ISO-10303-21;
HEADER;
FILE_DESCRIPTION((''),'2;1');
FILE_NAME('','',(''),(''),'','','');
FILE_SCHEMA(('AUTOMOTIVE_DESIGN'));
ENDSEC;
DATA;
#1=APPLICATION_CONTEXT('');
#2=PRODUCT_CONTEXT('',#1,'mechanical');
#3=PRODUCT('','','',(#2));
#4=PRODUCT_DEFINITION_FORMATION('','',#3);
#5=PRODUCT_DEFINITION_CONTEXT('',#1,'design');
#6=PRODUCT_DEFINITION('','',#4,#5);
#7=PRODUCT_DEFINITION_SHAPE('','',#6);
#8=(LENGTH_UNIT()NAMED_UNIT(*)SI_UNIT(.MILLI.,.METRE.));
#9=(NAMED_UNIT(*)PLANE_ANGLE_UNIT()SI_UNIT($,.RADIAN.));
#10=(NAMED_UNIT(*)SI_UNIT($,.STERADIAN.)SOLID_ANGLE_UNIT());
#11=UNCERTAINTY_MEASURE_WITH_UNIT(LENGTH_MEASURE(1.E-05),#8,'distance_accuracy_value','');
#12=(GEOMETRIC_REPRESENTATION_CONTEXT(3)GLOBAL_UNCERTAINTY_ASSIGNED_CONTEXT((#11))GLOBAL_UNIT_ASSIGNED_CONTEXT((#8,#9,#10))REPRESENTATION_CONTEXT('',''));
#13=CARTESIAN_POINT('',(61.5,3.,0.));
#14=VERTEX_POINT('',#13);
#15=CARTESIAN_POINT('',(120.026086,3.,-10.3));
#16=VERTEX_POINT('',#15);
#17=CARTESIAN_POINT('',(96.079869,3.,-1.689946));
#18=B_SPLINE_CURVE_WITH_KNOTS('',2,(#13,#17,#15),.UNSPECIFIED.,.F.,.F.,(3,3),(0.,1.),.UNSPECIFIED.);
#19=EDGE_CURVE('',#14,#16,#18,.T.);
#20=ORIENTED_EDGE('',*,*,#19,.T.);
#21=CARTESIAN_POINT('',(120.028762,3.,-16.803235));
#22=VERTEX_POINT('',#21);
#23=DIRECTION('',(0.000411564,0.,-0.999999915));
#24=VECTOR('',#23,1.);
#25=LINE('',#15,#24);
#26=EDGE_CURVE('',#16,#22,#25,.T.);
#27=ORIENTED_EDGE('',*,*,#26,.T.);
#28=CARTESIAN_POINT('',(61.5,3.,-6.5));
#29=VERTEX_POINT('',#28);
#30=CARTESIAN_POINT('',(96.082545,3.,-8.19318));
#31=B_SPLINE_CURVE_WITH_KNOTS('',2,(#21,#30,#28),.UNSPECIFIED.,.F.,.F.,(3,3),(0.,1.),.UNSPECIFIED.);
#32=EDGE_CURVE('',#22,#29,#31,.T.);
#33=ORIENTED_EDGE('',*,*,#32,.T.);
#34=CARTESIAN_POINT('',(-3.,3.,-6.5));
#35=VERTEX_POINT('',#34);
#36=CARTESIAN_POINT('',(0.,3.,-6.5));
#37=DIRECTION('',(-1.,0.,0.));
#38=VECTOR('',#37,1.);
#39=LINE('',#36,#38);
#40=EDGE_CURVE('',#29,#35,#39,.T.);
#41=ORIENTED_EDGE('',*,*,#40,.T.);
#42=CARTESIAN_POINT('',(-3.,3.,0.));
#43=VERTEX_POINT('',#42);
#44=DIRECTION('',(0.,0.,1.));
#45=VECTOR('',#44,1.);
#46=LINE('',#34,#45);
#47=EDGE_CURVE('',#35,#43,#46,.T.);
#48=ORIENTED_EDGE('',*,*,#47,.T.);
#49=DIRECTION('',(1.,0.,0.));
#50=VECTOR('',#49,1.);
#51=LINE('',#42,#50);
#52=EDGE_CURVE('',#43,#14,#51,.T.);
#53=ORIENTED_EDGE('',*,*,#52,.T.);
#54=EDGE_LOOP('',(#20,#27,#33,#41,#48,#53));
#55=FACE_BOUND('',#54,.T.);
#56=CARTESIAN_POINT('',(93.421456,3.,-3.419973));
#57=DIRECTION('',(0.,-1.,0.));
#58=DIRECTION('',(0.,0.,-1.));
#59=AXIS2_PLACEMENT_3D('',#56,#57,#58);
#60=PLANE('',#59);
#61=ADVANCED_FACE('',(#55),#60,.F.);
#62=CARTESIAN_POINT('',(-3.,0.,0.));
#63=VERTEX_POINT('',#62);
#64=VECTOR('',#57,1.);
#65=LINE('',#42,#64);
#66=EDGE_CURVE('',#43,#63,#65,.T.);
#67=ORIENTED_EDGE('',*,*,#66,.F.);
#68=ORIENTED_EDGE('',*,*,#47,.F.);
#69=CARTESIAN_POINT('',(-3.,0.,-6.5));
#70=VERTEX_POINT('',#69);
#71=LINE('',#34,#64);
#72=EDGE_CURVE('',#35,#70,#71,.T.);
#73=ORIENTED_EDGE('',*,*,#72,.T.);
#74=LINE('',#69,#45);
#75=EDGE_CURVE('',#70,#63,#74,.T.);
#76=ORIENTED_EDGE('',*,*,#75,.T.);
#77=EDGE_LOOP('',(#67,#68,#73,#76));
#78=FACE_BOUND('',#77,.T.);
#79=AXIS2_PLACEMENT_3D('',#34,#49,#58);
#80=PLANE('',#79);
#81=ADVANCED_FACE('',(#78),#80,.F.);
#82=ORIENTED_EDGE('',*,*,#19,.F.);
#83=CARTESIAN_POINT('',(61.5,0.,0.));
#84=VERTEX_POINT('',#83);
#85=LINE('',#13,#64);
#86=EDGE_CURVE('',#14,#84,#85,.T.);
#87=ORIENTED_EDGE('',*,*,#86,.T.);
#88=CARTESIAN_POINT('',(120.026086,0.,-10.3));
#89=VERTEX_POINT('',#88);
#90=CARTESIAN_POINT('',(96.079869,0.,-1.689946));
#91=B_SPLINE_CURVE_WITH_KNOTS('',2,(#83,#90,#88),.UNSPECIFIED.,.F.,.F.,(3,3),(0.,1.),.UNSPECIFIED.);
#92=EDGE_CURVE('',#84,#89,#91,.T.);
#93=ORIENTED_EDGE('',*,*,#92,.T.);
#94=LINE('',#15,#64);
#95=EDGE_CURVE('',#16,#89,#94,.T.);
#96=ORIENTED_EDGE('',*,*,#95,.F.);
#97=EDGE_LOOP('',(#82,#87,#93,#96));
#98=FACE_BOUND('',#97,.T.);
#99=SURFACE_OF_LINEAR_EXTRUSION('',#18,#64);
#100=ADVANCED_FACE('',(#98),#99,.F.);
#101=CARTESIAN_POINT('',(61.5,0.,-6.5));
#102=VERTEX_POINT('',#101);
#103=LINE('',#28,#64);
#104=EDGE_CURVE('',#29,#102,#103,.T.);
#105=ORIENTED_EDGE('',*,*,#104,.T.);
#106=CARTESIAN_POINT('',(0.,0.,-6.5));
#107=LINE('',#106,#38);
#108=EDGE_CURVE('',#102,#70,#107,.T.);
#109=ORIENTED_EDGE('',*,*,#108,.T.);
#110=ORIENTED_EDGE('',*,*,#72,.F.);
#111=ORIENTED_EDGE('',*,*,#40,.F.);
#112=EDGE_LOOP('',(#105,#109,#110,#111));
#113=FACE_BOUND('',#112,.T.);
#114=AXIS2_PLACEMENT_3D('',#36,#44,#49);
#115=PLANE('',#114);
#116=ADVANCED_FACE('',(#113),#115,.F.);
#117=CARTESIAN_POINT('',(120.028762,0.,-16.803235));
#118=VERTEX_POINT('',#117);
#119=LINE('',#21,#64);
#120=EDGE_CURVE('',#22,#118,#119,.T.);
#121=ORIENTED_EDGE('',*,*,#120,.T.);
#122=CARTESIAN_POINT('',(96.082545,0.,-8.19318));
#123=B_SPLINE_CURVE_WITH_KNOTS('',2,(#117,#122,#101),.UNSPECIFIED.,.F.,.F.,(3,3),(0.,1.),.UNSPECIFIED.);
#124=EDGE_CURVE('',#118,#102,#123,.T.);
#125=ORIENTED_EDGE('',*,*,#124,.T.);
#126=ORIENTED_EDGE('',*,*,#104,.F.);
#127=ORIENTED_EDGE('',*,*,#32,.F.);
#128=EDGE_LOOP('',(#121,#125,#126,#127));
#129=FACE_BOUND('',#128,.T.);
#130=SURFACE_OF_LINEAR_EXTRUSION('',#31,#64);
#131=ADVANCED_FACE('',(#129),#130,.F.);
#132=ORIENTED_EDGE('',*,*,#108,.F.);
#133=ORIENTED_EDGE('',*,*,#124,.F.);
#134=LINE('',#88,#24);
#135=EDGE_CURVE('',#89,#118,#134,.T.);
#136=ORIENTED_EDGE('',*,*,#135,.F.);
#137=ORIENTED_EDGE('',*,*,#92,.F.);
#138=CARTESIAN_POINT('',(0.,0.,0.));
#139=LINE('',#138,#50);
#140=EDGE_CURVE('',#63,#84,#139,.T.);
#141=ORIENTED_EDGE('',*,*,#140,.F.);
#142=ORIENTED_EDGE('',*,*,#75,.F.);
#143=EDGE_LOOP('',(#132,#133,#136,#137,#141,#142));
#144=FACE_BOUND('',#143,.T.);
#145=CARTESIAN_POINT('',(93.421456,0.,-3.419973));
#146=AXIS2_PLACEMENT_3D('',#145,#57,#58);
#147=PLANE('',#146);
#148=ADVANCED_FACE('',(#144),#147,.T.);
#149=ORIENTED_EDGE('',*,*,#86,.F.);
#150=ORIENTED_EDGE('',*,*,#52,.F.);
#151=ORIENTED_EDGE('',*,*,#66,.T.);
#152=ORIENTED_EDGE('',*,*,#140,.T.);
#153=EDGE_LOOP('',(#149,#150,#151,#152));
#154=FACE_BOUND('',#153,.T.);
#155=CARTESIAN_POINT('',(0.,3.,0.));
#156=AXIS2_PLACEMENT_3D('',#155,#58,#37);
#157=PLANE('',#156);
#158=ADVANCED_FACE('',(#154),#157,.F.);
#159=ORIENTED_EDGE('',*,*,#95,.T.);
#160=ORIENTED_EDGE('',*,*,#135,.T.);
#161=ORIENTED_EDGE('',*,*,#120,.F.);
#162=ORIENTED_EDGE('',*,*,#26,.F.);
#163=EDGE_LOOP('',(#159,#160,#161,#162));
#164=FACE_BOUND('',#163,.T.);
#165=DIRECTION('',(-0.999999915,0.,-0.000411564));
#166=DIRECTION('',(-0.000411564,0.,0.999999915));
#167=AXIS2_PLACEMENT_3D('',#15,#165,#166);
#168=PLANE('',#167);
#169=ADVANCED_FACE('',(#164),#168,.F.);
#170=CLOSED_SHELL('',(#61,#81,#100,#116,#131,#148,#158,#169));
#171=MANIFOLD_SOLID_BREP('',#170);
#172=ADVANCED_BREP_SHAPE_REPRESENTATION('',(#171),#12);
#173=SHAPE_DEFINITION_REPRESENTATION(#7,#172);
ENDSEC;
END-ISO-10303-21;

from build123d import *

# Parameters (mm, degrees)
BOSS_EXTRUDE1_DEPTH = 3


with BuildPart() as part:
    # Sketch1 → Boss-Extrude1 (new body)
    with BuildSketch(Plane(origin=(0, 0, 0), x_dir=(1, 0, 0), z_dir=(0, 1, 0))):
        with BuildLine():
            Line((0, 0), (61.5, 0))
            add(Edge.make_bspline(
                [(61.5, 0), (96.079868576, 1.689945504), (120.026085552, 10.3)],
                knots=[0, 0, 0, 1, 1, 1], degree=2))
            Line((120.026085552, 10.3), (120.028762053, 16.803234674))
            add(Edge.make_bspline(
                [(61.5, 6.5), (96.082545077, 8.193180177), (120.028762053, 16.803234674)],
                knots=[0, 0, 0, 1, 1, 1], degree=2))
            Line((61.5, 6.5), (0, 6.5))
            Line((0, 6.5), (-3, 6.5))
            Line((-3, 6.5), (-3, 0))
            Line((-3, 0), (0, 0))
        make_face()
    extrude(amount=BOSS_EXTRUDE1_DEPTH)


solid = part.part
